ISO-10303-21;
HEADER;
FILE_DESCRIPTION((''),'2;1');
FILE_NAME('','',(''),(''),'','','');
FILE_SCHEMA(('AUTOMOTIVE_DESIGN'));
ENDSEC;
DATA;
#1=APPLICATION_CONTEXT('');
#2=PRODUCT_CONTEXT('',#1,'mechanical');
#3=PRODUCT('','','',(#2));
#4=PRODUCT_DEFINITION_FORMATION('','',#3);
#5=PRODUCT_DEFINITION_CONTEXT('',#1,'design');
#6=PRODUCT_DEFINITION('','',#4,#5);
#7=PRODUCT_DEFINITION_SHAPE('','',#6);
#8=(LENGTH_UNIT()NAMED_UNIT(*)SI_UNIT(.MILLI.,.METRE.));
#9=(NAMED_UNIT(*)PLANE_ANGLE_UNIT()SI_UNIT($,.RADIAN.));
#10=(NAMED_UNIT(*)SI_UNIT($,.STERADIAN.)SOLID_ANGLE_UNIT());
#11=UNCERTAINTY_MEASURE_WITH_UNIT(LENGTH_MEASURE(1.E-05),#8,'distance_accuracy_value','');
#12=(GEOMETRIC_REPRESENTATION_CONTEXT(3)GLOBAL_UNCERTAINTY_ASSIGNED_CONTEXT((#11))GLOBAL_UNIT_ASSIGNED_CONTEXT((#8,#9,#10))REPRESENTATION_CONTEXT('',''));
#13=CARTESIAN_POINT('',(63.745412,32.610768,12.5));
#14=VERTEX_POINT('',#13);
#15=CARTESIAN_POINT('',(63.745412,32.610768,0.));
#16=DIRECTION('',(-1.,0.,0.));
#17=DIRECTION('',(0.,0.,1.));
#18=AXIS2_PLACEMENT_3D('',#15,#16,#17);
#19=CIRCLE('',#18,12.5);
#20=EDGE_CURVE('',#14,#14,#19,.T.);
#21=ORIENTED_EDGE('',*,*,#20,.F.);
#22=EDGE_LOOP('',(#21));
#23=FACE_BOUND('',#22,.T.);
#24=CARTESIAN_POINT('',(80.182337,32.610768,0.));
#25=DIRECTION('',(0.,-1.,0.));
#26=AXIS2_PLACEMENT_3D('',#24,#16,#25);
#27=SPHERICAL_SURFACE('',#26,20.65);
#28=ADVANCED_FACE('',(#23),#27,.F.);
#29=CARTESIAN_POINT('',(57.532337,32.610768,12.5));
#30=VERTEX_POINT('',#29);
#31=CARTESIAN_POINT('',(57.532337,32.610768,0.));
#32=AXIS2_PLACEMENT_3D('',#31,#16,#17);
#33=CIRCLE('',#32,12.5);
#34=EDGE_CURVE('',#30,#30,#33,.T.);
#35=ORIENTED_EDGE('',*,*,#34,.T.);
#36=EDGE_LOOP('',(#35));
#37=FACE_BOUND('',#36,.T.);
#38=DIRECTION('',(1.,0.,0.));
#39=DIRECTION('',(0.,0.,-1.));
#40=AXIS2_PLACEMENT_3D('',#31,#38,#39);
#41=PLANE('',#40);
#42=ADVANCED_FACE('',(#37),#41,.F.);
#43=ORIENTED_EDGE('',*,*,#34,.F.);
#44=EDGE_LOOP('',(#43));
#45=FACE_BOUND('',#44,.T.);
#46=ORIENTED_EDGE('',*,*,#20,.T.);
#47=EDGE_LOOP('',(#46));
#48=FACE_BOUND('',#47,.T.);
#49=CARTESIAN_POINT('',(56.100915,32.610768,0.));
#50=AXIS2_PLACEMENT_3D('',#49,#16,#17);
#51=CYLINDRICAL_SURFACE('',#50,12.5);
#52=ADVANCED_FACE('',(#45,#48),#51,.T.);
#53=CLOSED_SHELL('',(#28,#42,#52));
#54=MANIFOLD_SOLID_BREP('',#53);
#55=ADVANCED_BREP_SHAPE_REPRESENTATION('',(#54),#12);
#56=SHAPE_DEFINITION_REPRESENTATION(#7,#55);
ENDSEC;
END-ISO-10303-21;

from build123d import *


with BuildPart() as part:
    # 草图1 → 旋转1 (revolve)
    with BuildSketch(Plane.XY, mode=Mode.PRIVATE) as revolve_1_sk:
        with BuildLine():
            Line((57.532337053, 32.610768129), (57.532337053, 45.110768129))
            Line((57.532337053, 45.110768129), (63.745412158, 45.110768129))
            ThreePointArc((63.745412158, 45.110768129), (60.613931406, 39.206221143), (59.532337053, 32.610768129))
            Line((59.532337053, 32.610768129), (57.532337053, 32.610768129))
        make_face()
    revolve(revolve_1_sk.sketch.rotate(Axis((56.10091508, 32.610768129, 0), (1, 0, 0)), 180), axis=Axis((56.10091508, 32.610768129, 0), (1, 0, 0)))  # turned: the seam where the file's is


solid = part.part
